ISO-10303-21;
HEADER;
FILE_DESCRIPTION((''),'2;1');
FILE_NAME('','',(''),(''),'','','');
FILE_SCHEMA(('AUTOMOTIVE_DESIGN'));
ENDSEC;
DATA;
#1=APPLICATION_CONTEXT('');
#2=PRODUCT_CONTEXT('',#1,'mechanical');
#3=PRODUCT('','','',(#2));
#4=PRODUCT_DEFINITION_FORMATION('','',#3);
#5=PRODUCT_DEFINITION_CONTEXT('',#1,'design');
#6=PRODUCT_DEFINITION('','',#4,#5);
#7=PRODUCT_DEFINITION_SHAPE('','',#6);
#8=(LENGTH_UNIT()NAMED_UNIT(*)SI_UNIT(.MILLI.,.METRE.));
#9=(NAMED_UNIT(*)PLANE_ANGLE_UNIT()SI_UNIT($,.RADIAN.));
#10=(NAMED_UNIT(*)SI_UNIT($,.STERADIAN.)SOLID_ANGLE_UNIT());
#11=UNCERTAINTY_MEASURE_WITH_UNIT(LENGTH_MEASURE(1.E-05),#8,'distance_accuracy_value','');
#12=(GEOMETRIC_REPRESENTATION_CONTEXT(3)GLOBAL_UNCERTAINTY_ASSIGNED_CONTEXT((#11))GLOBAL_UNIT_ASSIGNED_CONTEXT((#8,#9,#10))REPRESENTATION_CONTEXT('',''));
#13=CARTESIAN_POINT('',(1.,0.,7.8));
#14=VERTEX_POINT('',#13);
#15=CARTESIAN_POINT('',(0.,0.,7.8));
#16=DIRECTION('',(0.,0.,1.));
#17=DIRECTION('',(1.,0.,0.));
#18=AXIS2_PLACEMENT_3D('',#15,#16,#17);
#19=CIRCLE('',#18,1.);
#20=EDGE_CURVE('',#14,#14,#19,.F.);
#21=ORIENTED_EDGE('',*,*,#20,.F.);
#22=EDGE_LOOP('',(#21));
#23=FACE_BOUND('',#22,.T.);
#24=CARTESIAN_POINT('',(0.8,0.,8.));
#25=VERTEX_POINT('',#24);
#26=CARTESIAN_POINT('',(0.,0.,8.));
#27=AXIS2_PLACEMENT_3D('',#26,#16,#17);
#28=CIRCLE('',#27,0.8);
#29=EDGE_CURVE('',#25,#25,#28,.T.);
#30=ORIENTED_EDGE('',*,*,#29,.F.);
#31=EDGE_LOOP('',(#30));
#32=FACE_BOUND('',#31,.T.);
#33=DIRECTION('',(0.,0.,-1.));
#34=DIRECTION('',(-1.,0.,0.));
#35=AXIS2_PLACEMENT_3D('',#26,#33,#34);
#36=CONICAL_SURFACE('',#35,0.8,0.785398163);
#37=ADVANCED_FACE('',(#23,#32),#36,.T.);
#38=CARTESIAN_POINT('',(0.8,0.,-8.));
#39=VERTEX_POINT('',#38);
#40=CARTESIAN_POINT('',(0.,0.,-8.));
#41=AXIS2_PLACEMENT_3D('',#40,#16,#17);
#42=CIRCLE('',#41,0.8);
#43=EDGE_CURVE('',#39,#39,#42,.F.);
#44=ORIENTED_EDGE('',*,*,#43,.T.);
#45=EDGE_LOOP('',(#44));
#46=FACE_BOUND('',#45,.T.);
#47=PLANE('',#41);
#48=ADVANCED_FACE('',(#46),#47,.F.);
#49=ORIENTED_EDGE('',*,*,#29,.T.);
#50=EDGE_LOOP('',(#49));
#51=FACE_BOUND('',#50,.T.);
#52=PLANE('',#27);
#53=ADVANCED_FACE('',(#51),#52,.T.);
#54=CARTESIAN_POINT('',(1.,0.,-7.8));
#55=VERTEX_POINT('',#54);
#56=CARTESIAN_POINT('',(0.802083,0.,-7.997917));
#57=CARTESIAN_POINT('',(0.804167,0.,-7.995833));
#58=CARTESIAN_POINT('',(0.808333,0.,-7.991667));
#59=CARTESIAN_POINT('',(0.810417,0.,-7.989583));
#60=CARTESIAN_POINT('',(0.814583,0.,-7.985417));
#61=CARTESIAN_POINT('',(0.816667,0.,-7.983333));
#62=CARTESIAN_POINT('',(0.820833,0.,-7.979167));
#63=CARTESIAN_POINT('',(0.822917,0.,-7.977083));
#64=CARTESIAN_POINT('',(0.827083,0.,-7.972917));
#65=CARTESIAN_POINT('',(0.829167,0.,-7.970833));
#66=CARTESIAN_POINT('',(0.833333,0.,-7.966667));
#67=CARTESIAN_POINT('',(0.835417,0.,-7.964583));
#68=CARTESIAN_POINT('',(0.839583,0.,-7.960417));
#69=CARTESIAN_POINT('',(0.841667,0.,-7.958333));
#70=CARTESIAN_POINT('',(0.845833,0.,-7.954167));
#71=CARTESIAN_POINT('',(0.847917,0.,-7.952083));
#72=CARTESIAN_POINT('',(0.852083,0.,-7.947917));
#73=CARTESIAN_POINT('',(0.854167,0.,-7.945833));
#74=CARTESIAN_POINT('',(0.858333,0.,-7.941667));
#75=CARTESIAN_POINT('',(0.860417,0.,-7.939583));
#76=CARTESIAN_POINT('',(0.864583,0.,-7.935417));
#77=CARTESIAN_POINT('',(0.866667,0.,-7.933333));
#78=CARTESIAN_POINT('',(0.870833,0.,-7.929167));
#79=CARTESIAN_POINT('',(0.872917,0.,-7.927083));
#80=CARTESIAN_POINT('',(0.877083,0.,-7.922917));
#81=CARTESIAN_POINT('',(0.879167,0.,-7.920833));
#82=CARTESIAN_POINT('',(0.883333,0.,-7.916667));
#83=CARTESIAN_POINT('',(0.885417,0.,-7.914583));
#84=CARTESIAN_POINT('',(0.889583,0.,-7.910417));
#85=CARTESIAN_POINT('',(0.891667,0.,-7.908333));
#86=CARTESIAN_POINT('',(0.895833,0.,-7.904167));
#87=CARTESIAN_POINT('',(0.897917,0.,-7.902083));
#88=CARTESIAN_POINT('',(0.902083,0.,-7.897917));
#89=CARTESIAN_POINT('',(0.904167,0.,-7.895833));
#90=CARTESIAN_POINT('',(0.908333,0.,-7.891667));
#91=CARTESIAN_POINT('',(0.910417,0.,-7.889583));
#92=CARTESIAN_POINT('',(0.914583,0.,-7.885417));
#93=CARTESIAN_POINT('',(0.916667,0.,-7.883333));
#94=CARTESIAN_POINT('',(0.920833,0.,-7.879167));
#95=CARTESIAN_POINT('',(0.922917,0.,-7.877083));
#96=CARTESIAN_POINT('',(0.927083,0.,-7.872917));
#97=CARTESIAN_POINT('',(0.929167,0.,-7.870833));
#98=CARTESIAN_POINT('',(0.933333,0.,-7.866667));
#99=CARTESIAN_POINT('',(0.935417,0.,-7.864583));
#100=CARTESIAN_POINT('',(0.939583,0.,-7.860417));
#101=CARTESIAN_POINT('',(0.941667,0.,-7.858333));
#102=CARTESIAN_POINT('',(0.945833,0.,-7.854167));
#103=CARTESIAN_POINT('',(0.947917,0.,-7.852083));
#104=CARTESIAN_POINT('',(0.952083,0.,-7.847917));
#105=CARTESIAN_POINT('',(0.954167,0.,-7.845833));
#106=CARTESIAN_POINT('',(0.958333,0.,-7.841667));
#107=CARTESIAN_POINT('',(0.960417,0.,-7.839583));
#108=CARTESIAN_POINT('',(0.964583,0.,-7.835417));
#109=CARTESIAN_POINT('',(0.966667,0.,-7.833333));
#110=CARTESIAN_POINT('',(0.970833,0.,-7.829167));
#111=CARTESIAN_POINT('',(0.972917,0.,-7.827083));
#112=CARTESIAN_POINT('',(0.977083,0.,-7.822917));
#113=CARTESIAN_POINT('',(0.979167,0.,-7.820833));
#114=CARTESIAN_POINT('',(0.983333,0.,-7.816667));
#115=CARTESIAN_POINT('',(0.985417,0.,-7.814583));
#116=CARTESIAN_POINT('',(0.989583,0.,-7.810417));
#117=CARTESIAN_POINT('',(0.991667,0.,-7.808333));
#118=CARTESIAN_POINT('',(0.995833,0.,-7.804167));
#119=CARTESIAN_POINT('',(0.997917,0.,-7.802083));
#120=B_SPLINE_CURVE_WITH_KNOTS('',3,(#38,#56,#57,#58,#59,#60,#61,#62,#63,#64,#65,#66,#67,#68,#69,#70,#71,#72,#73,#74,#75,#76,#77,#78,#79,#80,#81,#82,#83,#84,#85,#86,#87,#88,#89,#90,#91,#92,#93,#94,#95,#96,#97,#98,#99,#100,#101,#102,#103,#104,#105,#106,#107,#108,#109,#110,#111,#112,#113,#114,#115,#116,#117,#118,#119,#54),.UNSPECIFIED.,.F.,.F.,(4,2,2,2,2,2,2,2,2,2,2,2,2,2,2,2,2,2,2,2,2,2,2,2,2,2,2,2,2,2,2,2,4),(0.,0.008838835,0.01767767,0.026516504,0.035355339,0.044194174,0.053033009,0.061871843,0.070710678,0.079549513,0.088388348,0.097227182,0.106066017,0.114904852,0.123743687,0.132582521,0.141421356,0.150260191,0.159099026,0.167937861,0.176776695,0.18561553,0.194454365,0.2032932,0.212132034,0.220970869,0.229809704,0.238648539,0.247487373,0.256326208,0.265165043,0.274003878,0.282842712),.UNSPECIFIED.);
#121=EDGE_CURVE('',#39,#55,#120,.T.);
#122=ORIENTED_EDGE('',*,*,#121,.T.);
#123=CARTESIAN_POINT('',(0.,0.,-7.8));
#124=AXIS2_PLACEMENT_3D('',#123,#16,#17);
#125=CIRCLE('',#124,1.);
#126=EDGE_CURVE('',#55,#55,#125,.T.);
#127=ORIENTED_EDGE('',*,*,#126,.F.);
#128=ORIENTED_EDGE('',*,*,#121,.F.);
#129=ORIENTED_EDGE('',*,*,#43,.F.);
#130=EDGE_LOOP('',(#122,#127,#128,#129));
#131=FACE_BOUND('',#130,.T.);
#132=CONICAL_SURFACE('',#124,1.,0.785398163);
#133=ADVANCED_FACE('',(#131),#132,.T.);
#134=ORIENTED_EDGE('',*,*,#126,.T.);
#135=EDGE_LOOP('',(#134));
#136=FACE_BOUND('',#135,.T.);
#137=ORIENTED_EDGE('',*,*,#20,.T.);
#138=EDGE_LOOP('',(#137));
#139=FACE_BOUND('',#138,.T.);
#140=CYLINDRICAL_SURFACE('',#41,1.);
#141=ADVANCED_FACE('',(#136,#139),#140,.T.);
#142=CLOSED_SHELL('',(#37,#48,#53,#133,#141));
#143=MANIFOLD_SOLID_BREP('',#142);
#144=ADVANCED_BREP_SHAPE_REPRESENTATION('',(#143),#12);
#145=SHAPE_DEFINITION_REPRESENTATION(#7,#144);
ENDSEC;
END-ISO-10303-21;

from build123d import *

# Parameters (mm, degrees)
AUFSATZ_LINEAR_AUSTRAGEN1_DEPTH      = 8
AUFSATZ_LINEAR_AUSTRAGEN1_DEPTH_BACK = 8
SKIZZE1_R                            = 1
FASE1_SIZE                           = 0.2


with BuildPart() as part:
    # Skizze1 → Aufsatz-Linear austragen1 (new, two sides: drawn at the far end of the back side and taken through both)
    with BuildSketch(Plane.XY.offset(-AUFSATZ_LINEAR_AUSTRAGEN1_DEPTH_BACK)):
        Circle(SKIZZE1_R)
    extrude(amount=AUFSATZ_LINEAR_AUSTRAGEN1_DEPTH + AUFSATZ_LINEAR_AUSTRAGEN1_DEPTH_BACK)

    # Fase1
    fase1_edges = [part.edges().sort_by_distance(p)[0] for p in [
        (-1, 0, -8),
        (-1, 0, 8),
    ]]
    chamfer(fase1_edges, length=FASE1_SIZE)


solid = part.part
